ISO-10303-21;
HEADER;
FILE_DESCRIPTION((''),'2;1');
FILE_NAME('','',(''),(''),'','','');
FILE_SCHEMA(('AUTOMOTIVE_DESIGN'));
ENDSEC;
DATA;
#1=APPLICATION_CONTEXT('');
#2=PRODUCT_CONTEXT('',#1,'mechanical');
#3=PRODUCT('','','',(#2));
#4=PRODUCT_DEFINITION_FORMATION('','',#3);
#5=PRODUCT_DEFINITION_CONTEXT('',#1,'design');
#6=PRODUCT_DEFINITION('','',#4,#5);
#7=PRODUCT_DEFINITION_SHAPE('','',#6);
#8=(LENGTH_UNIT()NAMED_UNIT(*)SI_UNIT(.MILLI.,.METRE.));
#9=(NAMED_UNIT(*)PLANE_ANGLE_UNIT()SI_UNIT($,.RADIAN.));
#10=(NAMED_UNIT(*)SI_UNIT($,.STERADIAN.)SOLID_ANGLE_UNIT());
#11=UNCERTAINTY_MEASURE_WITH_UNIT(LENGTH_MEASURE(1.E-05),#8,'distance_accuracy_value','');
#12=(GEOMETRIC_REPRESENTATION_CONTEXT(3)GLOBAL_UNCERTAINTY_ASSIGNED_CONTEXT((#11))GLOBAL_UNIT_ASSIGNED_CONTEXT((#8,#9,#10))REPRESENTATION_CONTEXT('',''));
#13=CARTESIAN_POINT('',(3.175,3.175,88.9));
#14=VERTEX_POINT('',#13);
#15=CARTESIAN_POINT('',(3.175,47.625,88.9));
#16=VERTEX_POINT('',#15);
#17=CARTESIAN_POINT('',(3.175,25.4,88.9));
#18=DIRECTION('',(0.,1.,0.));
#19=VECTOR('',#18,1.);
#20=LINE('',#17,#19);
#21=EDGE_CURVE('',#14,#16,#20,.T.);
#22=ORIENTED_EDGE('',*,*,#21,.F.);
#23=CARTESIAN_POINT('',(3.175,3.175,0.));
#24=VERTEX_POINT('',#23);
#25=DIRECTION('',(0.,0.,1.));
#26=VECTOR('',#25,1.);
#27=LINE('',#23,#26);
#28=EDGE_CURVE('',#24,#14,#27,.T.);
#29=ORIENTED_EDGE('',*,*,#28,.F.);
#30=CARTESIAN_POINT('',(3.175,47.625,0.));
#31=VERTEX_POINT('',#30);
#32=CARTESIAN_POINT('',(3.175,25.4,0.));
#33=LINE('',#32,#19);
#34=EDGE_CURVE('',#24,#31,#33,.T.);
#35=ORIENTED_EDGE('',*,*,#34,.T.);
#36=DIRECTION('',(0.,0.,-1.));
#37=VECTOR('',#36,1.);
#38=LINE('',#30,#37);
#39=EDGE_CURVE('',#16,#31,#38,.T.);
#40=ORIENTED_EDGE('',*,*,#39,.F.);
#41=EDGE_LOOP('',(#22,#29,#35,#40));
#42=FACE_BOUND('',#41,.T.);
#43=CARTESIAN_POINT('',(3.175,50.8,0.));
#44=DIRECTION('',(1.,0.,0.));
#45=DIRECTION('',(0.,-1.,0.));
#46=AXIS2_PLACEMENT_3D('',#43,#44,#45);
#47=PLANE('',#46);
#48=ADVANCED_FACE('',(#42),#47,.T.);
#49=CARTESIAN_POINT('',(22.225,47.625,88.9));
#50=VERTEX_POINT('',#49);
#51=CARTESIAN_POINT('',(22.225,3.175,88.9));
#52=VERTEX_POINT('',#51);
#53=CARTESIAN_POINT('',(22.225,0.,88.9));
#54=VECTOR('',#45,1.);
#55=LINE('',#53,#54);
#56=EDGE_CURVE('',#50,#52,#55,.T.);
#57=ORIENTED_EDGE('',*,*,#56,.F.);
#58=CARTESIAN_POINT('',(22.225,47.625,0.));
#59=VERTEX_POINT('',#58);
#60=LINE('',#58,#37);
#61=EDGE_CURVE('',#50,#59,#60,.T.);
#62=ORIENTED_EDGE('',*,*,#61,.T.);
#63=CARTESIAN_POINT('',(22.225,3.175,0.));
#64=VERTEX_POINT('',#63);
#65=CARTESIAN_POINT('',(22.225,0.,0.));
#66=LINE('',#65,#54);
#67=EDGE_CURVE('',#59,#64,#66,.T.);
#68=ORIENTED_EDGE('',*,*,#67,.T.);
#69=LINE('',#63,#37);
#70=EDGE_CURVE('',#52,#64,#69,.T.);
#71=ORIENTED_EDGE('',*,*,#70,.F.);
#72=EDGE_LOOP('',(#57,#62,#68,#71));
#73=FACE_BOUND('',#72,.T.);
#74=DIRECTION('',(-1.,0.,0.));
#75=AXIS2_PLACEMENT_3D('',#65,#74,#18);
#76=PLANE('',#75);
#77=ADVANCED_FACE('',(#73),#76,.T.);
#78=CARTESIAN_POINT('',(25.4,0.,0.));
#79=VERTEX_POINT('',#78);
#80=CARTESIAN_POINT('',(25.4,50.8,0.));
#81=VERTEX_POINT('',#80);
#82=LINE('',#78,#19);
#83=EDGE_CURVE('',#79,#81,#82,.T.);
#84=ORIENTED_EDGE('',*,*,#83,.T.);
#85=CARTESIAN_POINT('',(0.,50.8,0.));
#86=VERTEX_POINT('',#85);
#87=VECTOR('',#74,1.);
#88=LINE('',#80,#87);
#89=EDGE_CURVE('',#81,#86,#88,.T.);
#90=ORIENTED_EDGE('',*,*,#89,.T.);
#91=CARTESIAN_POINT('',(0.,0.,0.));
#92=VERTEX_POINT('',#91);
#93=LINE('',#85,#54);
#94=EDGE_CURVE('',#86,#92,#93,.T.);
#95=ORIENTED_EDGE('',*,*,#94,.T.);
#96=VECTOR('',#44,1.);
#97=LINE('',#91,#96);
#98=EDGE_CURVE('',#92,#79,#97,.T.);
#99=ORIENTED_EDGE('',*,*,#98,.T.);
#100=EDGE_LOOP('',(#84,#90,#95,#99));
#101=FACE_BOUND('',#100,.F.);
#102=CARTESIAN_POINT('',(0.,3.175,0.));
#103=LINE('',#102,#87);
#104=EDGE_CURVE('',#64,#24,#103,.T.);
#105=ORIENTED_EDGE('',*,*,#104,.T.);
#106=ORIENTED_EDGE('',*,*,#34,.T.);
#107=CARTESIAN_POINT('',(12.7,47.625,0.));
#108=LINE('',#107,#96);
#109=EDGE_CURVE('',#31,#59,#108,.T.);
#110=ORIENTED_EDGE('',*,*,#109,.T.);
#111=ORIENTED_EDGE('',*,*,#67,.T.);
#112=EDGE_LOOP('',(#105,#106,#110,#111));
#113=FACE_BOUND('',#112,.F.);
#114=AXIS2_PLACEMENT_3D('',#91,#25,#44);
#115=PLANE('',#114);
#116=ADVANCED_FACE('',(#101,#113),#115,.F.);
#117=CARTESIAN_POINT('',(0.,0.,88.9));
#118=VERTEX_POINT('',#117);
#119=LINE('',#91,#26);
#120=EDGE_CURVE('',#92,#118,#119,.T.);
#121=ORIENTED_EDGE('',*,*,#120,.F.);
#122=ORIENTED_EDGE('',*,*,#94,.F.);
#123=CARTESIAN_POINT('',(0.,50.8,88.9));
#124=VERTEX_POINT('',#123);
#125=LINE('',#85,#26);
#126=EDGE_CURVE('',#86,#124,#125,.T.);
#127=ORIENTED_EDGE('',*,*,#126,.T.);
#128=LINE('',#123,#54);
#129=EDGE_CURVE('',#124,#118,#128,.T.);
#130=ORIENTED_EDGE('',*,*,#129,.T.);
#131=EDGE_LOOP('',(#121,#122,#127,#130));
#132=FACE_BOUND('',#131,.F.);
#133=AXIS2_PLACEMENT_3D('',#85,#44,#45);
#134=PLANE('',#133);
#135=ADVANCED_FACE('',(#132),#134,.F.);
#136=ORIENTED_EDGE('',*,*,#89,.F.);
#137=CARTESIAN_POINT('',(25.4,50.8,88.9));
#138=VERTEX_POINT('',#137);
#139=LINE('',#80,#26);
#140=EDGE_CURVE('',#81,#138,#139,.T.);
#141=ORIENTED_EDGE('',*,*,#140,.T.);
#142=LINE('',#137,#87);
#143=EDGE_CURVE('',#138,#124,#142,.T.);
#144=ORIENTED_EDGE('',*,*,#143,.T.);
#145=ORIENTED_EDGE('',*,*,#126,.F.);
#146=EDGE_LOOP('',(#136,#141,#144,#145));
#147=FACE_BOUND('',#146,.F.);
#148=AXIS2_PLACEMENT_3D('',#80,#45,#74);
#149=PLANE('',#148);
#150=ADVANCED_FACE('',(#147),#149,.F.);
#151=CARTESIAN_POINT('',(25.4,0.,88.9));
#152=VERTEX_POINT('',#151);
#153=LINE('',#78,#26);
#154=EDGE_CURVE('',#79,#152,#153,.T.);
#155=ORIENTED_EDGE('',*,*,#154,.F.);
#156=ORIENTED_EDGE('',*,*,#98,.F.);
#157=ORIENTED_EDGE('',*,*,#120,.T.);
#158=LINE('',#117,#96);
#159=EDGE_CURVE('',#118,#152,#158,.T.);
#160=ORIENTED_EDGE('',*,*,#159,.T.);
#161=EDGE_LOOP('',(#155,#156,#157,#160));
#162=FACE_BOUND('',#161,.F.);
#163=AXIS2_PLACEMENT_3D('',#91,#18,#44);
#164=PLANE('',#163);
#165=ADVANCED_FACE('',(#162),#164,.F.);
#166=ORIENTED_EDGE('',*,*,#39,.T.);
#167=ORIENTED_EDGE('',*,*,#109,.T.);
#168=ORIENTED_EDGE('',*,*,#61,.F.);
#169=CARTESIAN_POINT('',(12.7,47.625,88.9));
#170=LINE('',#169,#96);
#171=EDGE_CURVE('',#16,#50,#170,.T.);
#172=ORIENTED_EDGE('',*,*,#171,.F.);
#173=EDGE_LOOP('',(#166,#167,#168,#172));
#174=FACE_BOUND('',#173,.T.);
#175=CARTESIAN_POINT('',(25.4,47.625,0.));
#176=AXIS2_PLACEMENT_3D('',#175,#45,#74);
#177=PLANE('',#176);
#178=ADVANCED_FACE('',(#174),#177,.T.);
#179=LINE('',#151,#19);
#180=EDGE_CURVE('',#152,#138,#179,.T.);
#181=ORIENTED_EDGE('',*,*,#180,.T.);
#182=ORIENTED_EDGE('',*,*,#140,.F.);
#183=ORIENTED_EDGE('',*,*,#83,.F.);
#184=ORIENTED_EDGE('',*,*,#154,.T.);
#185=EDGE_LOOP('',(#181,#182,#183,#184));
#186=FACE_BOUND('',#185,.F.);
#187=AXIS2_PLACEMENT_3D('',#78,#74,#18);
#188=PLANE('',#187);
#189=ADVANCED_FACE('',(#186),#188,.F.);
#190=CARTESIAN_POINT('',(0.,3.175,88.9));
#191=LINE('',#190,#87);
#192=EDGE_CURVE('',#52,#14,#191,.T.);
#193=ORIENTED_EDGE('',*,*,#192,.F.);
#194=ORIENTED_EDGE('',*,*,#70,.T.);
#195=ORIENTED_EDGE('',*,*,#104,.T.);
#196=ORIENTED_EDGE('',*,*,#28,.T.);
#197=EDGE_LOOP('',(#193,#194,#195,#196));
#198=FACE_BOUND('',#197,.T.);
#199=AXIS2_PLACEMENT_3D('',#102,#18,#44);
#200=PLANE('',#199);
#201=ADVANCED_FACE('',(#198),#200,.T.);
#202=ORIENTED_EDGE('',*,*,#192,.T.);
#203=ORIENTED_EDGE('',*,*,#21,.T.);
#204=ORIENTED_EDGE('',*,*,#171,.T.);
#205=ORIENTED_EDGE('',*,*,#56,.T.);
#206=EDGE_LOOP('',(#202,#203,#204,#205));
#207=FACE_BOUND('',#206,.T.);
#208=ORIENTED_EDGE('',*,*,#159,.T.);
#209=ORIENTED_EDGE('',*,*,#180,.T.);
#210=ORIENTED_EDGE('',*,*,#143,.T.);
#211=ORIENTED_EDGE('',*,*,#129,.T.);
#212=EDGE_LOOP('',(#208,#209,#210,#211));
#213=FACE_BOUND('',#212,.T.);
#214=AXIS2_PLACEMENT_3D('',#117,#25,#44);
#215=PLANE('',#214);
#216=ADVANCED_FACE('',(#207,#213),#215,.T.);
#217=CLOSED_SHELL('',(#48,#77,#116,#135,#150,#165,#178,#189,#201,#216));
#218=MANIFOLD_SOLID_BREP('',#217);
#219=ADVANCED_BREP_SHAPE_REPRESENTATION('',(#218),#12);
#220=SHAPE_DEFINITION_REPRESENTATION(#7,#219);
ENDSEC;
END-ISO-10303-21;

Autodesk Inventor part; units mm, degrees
ref_plane "YZ Plane" through (0, 0, 0) normal (1, 0, 0) x (0, 1, 0)
ref_plane "XZ Plane" through (0, 0, 0) normal (0, 1, 0) x (-1, 0, 0)
ref_plane "XY Plane" through (0, 0, 0) normal (0, 0, 1) x (1, 0, 0)
sketch "Sketch1" plane through (0, 0, 0) normal (0, 0, 1) x (1, 0, 0)
  line L0 (0, 0) -> (25.4, 0)
  line L1 (25.4, 0) -> (25.4, 50.8)
  line L2 (25.4, 50.8) -> (0, 50.8)
  line L3 (0, 50.8) -> (0, 0)
  dimension "d0" = 25.4
  dimension "d1" = 50.8
extrude "Extrusion1" add sketch "Sketch1" along normal blind 88.9
shell "Shell1" thickness 3.175 removed faces 2 at (8.4667, 33.8667, 0) at (8.4667, 33.8667, 88.9)
properties part number "Frame_MidVerticalSupportForCrossbar" material "Aluminum-6061"
